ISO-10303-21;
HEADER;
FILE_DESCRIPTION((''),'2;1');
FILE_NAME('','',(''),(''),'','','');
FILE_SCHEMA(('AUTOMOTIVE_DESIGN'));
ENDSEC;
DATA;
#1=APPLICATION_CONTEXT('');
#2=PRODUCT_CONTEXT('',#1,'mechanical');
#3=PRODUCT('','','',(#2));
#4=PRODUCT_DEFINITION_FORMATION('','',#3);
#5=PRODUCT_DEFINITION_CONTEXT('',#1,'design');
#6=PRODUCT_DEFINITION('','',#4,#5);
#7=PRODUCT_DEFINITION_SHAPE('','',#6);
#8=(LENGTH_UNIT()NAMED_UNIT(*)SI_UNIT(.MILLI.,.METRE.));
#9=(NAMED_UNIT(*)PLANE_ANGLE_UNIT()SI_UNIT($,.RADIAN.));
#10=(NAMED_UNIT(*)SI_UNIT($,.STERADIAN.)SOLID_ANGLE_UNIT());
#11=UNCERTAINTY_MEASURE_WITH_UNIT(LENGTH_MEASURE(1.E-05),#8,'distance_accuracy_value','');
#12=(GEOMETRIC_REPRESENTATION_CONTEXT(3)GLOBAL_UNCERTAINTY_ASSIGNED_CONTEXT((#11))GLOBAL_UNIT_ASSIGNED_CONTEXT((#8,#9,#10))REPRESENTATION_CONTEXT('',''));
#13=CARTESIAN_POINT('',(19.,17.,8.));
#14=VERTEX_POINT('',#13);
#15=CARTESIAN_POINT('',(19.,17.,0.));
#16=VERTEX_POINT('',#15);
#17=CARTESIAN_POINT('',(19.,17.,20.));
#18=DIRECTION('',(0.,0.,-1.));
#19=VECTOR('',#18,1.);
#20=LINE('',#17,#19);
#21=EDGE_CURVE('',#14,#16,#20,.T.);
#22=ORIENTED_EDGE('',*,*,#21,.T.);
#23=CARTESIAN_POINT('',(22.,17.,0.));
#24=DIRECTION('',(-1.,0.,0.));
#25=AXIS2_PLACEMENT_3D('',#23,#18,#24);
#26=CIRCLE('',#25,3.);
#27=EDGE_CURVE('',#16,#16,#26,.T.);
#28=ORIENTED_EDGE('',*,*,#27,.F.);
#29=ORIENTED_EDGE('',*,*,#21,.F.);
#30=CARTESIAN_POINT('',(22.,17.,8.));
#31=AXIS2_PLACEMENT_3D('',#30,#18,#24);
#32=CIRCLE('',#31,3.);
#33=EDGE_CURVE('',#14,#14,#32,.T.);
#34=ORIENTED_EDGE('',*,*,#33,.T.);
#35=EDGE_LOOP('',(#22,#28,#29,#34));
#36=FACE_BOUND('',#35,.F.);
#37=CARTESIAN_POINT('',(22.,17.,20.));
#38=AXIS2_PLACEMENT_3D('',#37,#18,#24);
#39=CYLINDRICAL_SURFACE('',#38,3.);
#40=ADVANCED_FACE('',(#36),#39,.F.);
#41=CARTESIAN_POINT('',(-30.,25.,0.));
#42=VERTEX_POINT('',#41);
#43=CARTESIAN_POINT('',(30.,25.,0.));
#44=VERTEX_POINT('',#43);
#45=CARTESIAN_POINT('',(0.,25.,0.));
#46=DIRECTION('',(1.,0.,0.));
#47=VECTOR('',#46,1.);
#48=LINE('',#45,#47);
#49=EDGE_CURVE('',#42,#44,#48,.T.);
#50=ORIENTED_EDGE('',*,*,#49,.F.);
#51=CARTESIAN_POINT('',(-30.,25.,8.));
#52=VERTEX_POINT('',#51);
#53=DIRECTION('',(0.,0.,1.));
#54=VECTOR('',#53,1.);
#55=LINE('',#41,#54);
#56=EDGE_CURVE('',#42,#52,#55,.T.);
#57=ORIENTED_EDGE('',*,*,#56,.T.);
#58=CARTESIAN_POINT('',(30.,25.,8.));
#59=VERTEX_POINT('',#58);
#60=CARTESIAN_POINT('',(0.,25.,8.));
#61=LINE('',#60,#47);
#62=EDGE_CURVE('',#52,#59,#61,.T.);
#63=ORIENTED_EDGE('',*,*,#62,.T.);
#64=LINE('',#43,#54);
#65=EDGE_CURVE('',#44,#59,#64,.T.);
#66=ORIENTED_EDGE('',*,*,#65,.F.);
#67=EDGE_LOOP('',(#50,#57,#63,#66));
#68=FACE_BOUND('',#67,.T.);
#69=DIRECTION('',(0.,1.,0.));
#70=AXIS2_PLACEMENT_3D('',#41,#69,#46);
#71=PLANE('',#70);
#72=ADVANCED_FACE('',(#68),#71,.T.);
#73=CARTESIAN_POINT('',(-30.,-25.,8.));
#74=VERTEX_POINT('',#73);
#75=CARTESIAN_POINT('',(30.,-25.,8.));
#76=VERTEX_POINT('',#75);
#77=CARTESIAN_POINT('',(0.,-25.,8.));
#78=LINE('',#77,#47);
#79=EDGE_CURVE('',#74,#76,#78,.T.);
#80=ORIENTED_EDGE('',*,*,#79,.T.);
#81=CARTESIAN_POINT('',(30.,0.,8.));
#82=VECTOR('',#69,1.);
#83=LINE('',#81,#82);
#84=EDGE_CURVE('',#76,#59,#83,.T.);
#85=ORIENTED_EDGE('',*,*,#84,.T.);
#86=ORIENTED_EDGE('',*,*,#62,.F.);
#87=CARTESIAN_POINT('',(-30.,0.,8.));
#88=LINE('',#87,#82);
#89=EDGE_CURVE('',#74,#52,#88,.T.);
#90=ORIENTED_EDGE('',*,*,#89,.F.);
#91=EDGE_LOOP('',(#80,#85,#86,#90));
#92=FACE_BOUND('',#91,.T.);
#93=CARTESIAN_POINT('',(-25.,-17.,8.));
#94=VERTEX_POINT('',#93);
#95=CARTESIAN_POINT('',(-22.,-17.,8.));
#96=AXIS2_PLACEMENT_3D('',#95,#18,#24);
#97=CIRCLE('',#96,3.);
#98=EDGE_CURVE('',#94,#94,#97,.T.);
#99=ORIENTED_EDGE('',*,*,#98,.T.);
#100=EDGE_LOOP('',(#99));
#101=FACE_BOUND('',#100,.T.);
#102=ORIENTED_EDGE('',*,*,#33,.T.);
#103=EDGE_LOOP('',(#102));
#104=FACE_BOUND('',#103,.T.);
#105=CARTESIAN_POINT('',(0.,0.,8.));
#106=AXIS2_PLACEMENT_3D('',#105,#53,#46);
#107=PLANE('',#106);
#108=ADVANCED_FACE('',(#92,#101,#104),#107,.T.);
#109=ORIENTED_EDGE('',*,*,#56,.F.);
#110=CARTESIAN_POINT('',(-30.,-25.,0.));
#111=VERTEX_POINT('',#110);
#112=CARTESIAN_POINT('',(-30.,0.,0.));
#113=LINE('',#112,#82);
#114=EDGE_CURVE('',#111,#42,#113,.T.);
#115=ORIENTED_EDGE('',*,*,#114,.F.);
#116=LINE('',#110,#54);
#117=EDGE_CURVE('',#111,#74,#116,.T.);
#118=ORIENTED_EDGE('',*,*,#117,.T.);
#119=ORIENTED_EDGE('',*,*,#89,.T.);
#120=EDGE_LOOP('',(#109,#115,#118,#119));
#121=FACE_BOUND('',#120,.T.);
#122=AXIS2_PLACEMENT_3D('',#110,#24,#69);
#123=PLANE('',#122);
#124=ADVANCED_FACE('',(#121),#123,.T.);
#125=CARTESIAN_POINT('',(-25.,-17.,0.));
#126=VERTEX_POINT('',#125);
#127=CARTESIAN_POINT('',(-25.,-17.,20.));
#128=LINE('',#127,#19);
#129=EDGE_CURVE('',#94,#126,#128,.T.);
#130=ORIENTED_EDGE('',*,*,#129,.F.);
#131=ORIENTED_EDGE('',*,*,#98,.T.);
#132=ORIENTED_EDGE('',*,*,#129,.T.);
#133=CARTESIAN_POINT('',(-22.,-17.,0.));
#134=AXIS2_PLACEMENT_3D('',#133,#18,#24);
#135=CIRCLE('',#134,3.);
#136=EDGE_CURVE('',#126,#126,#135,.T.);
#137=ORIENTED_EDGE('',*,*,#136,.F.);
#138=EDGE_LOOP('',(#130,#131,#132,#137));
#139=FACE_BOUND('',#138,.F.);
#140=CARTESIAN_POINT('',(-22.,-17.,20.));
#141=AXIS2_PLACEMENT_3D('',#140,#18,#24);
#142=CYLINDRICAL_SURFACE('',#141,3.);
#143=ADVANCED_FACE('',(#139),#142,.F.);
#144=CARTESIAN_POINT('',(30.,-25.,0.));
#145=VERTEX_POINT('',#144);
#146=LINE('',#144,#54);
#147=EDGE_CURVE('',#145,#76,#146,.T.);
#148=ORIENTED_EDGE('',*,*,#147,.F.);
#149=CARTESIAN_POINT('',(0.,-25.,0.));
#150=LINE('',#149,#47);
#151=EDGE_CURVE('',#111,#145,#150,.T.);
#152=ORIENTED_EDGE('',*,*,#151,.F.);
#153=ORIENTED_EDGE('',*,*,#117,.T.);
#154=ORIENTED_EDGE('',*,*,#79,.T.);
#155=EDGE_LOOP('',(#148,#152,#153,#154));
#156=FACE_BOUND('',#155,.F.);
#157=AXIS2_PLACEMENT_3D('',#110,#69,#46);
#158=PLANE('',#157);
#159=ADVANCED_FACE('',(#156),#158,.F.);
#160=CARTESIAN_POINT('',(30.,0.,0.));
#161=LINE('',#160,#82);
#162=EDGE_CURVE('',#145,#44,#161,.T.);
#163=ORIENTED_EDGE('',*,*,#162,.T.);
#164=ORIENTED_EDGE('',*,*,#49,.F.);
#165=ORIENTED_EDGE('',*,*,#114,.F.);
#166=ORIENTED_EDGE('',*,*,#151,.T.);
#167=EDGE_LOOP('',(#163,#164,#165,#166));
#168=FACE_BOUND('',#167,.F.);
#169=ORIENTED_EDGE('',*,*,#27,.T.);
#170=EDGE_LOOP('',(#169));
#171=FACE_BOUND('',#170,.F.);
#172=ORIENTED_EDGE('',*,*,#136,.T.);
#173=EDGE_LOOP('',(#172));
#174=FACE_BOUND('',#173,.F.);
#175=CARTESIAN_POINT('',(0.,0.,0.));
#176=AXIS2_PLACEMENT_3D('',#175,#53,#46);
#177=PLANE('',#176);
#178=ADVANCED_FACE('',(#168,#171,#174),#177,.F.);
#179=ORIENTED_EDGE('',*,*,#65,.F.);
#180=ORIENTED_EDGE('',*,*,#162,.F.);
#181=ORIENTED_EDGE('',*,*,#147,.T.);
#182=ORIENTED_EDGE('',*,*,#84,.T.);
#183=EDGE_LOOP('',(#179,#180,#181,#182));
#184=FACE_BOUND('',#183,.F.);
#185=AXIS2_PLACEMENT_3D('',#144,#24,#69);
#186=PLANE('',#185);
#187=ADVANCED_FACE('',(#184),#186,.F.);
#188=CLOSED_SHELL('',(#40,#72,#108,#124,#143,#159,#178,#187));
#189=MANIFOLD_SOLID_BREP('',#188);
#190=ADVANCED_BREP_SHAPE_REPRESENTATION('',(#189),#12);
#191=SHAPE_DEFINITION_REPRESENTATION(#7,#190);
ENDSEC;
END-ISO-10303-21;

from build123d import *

# Parameters (mm, degrees)
F0_W     = 60
F0_H     = 50
F1_DEPTH = 8
F3_D     = 6
F3_DEPTH = 12


with BuildPart() as f1:
    # F0 (on Top) → F1 (new body)
    with BuildSketch(Plane.XY):
        Rectangle(F0_W, F0_H)
    extrude(amount=F1_DEPTH)

    # F3
    with Locations(Plane.XY.offset(8)):
        with Locations((-22, -17), (22, 17)):
            Hole(F3_D / 2, depth=F3_DEPTH)


solid = f1.part
